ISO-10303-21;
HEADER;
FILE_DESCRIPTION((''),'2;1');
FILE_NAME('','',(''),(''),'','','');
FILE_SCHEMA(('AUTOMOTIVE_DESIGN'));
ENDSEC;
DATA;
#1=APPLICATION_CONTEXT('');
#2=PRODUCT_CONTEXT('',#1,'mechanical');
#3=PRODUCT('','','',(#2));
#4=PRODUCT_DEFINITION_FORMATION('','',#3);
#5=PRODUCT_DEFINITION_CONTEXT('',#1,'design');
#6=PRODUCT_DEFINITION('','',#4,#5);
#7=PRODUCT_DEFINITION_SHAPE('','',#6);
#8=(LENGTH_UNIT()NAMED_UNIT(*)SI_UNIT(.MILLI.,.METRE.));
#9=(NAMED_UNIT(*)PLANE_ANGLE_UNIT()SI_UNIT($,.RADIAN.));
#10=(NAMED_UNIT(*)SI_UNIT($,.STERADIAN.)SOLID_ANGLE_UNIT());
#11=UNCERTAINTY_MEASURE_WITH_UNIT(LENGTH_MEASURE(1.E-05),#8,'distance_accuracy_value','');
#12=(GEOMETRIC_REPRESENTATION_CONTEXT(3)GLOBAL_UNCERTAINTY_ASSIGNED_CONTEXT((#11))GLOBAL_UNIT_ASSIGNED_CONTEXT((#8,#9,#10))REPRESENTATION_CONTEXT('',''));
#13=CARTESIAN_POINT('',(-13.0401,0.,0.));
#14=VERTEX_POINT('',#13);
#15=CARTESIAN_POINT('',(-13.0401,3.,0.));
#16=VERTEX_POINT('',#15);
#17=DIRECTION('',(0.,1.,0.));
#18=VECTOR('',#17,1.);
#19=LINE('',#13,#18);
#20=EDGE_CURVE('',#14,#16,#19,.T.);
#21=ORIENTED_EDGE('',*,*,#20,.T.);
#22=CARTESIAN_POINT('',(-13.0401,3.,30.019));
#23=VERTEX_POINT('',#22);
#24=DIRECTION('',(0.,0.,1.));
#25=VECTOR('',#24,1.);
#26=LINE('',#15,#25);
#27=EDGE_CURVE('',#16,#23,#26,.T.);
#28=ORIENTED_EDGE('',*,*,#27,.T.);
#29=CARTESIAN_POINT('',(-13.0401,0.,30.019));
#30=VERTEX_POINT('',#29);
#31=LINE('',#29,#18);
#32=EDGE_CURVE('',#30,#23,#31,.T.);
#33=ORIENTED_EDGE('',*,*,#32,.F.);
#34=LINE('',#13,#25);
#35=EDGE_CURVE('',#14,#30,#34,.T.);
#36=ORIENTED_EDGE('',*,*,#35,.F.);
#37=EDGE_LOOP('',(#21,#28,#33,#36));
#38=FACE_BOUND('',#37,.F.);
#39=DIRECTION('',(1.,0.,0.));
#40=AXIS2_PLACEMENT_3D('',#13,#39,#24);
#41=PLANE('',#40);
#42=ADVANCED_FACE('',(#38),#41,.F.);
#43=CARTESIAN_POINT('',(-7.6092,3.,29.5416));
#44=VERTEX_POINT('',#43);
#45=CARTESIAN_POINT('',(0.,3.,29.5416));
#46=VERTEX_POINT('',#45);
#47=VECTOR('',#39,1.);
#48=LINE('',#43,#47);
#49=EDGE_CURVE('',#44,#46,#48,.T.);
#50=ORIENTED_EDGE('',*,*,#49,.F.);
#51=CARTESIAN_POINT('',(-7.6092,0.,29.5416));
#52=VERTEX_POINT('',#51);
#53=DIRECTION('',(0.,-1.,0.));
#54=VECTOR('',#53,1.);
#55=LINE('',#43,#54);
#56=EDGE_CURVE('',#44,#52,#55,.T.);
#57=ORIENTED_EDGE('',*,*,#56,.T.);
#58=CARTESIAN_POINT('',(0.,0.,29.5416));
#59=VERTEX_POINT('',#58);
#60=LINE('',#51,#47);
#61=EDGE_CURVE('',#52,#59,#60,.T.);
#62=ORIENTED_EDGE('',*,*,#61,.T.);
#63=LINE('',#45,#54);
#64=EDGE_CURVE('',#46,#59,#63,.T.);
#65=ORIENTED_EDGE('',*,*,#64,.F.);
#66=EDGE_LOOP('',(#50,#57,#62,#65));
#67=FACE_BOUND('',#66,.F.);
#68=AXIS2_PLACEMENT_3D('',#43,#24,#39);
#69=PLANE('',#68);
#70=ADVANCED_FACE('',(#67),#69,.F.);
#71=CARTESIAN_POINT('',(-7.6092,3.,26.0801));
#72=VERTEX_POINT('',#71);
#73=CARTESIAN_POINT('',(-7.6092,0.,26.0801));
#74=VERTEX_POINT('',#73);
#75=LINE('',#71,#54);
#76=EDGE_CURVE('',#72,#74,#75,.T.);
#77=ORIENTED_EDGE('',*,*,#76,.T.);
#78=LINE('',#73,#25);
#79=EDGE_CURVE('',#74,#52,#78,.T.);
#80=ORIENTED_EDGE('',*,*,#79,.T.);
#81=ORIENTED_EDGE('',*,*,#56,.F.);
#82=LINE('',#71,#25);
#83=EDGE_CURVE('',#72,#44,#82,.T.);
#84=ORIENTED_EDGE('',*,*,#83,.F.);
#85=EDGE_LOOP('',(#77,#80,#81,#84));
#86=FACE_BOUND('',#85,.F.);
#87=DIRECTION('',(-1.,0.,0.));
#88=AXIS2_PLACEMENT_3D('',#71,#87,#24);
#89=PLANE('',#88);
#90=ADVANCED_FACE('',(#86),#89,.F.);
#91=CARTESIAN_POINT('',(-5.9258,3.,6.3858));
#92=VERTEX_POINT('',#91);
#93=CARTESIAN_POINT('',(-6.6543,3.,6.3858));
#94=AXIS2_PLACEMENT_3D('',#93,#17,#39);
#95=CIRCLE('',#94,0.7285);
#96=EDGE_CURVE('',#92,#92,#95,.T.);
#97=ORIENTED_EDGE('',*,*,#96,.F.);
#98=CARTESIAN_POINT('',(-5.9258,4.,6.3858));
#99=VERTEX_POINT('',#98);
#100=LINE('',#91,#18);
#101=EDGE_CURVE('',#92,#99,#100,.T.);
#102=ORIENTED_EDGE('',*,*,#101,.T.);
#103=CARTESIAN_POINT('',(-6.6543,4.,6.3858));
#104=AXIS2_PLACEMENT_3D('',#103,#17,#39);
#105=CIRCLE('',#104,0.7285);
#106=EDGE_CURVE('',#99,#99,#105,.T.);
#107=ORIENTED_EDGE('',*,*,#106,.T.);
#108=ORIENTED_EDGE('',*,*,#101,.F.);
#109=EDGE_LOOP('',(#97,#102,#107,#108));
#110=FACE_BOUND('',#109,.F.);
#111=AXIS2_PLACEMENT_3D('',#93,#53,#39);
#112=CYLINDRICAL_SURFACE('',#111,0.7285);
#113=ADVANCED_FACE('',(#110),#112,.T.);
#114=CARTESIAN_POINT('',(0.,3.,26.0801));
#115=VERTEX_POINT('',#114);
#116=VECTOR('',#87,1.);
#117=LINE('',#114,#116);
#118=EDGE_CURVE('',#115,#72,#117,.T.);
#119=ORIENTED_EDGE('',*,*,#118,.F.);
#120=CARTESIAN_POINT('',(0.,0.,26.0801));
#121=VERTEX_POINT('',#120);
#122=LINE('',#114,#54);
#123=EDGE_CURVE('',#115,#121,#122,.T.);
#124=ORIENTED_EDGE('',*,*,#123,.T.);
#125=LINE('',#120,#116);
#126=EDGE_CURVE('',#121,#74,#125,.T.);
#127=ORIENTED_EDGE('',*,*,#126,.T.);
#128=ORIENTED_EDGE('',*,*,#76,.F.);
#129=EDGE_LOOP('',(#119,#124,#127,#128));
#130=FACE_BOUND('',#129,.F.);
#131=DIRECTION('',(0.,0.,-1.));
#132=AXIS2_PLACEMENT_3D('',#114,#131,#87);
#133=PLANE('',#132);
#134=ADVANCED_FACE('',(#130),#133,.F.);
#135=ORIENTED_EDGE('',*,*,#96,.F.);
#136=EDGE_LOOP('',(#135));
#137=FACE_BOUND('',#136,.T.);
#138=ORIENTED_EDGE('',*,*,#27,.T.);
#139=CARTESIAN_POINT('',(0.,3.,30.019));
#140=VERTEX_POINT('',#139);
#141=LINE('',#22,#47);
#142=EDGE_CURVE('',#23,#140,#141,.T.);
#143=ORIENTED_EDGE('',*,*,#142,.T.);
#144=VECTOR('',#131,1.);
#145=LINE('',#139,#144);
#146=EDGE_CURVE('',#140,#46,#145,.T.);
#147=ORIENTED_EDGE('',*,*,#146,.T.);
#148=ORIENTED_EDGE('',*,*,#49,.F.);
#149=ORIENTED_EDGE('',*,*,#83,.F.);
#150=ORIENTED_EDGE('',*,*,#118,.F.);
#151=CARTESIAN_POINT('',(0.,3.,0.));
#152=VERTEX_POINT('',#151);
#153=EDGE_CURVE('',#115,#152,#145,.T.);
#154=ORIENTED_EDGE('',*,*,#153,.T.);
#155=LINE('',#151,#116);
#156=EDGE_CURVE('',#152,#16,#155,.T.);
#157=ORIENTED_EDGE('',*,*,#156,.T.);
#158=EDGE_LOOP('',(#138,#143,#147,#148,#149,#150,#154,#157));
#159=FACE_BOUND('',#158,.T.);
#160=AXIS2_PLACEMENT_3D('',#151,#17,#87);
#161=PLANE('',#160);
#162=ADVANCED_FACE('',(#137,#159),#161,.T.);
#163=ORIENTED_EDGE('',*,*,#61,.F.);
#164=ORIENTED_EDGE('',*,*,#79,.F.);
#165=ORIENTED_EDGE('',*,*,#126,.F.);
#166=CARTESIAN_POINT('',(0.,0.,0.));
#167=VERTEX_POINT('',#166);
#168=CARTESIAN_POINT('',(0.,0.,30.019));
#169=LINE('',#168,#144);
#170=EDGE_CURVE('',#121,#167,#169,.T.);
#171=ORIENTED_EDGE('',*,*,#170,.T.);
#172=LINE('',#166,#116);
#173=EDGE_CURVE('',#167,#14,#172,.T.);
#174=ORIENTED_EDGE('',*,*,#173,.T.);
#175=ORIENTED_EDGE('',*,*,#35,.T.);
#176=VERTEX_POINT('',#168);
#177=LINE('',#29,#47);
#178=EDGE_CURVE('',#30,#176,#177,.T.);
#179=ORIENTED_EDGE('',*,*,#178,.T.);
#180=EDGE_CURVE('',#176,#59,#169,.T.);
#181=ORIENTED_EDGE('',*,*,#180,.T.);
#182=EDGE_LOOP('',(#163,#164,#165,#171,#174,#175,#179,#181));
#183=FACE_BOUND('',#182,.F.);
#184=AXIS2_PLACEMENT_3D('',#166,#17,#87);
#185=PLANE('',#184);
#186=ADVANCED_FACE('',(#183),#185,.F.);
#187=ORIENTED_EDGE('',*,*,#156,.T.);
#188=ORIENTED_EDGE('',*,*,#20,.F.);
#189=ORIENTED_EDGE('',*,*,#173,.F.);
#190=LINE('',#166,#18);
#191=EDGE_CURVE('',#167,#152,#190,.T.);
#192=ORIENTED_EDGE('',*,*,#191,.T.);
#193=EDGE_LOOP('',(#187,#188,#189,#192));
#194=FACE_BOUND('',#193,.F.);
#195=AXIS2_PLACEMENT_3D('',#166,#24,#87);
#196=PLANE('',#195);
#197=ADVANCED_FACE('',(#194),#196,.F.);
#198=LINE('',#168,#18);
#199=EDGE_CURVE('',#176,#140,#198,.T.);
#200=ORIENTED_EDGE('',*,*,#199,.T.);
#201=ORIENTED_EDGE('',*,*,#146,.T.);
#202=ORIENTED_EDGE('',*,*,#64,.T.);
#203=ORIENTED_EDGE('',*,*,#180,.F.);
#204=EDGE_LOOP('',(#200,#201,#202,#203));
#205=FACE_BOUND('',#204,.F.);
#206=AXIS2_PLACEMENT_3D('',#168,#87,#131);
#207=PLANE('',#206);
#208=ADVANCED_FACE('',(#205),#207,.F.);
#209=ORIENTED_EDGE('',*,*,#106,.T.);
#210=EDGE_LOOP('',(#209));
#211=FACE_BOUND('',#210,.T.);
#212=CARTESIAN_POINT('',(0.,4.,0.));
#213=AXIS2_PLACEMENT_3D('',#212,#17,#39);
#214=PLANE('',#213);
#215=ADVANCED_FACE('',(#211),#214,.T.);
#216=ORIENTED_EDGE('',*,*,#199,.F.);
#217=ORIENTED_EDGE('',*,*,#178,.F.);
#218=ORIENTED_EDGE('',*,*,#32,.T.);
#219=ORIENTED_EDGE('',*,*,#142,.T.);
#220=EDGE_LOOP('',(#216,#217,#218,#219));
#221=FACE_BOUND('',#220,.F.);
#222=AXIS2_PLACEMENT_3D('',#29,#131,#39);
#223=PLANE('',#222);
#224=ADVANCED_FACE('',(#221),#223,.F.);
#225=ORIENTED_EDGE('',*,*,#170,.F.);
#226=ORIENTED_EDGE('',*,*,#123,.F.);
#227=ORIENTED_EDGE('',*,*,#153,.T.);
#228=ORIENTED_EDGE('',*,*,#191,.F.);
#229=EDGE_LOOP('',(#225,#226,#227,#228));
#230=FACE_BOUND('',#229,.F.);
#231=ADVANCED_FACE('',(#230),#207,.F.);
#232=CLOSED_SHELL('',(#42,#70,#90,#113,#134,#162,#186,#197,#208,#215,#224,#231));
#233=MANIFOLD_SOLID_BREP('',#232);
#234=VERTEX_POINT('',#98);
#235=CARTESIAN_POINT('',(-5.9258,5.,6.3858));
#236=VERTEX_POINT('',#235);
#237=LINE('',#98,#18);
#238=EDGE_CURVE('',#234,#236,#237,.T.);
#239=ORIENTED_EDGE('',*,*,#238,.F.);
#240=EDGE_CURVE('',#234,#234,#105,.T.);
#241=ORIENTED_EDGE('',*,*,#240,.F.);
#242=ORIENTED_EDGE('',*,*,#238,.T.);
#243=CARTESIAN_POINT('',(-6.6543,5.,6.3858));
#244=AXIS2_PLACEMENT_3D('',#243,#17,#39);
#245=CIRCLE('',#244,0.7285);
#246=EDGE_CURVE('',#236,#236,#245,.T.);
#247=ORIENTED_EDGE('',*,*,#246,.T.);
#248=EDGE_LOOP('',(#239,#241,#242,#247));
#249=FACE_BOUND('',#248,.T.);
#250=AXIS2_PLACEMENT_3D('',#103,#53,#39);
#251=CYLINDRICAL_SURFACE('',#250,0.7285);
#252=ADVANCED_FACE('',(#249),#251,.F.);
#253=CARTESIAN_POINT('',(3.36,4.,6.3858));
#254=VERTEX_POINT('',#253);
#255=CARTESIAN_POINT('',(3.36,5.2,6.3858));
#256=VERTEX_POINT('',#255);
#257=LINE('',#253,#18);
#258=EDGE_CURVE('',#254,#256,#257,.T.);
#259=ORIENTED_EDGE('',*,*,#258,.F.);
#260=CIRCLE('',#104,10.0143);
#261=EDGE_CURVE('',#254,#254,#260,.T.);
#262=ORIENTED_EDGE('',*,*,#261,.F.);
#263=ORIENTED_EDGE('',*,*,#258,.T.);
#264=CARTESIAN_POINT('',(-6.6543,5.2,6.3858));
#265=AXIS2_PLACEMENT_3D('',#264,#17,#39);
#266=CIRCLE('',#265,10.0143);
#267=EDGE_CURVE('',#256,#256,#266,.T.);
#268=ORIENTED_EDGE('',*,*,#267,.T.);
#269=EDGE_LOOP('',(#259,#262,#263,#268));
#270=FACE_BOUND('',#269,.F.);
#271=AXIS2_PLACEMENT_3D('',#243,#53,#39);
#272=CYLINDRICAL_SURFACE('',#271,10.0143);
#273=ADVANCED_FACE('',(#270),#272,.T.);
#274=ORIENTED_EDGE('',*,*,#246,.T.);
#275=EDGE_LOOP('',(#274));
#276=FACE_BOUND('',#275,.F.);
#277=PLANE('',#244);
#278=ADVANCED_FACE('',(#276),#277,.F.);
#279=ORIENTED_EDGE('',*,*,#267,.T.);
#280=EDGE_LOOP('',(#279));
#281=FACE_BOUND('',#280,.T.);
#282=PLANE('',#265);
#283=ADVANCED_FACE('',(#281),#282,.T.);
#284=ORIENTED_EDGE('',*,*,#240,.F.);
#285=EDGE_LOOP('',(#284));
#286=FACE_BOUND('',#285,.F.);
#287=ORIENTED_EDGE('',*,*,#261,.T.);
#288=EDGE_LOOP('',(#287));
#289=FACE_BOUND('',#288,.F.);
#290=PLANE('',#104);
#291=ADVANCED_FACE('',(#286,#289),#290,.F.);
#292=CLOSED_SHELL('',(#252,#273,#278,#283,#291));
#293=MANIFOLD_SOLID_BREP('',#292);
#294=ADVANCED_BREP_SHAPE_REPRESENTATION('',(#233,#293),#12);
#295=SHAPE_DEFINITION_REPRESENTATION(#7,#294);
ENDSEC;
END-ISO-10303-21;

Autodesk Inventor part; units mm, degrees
ref_plane "YZ Plane" through (0, 0, 0) normal (1, 0, 0) x (0, 1, 0)
ref_plane "XZ Plane" through (0, 0, 0) normal (0, 1, 0) x (-1, 0, 0)
ref_plane "XY Plane" through (0, 0, 0) normal (0, 0, 1) x (1, 0, 0)
sketch "Sketch1" plane through (0, 0, 0) normal (0, 1, 0) x (-1, 0, 0)
  line L0 (0, 0) -> (13.0401, 0)
  line L1 (13.0401, 0) -> (13.0401, 30.019)
  line L2 (13.0401, 30.019) -> (0, 30.019)
  line L3 (0, 30.019) -> (0, 0)
extrude "Extrusion1" add sketch "Sketch1" along normal blind 3
sketch "Sketch2" plane through (0, 3, 0) normal (0, 1, 0) x (1, 0, 0)
  circle A0 centre (-6.6543, -6.3858) radius 0.7285
  point P0 (0, 0)
extrude "Extrusion2" add sketch "Sketch2" along normal blind 1
sketch "Sketch3" plane through (-6.6543, 4, 6.3858) normal (0, 1, 0) x (1, 0, 0)
  point P0 (6.6543, 6.3858)
sketch "Sketch4" plane through (-6.6543, 4, 6.3858) normal (0, 1, 0) x (1, 0, 0)
  circle A0 centre (0, 0) radius 0.7285 projected
  circle A1 centre (0, 0) radius 10.0143
  point P0 (6.6543, 6.3858)
extrude "Extrusion3" add sketch "Sketch4" along normal blind 1
sketch "Sketch5" plane through (0, 0, 30.019) normal (1, 0, 0) x (0, 0, -1)
  point P0 (30.019, 0)
sketch "Sketch6" plane through (0, 3, 0) normal (0, 1, 0) x (1, 0, 0)
  line L0 (0, -30.019) -> (0, 0) projected
  line L1 (0, -28.1093) -> (-7.3705, -28.1093)
  line L2 (-7.3705, -28.1093) -> (-7.3705, -24.1704)
  line L3 (-7.3705, -24.1704) -> (0, -24.1704)
  line L4 (0, -24.1704) -> (0, -28.1093)
extrude "Extrusion4" add sketch "Sketch6" against normal blind 1
sketch "Sketch7" plane through (0, 3, 0) normal (0, 1, 0) x (1, 0, 0)
  line L0 (0, -30.019) -> (0, 0) projected
  line L1 (0, -26.0801) -> (-7.6092, -26.0801)
  line L2 (-7.6092, -26.0801) -> (-7.6092, -29.5416)
  line L3 (-7.6092, -29.5416) -> (0, -29.5416)
  line L4 (0, -29.5416) -> (0, -26.0801)
extrude "Extrusion5" cut sketch "Sketch7" against normal blind 3
sketch "Sketch8" plane through (-6.6543, 5, 6.3858) normal (0, 1, 0) x (1, 0, 0)
  circle A0 centre (0, 0) radius 10.0143 projected
  line L0 (-6.3858, -23.6333) -> (6.6543, -23.6333) projected
  point P0 (6.6543, 6.3858)
sketch "Sketch9" plane through (-6.6543, 5, 6.3858) normal (0, 1, 0) x (1, 0, 0)
  point P0 (6.6543, 6.3858)
extrude "Extrusion6" add sketch "Sketch8" along normal blind 0.2
sketch "Sketch10" plane through (-6.6543, 5.2, 6.3858) normal (0, 1, 0) x (1, 0, 0)
  circle A0 centre (0, 0) radius 10.0143 projected
  line L0 (-9.1289, -4.117) -> (1.0146, -22.6784)
  line L1 (1.0146, -22.6784) -> (9.9069, -2.4469)
  point P0 (6.6543, 6.3858)
